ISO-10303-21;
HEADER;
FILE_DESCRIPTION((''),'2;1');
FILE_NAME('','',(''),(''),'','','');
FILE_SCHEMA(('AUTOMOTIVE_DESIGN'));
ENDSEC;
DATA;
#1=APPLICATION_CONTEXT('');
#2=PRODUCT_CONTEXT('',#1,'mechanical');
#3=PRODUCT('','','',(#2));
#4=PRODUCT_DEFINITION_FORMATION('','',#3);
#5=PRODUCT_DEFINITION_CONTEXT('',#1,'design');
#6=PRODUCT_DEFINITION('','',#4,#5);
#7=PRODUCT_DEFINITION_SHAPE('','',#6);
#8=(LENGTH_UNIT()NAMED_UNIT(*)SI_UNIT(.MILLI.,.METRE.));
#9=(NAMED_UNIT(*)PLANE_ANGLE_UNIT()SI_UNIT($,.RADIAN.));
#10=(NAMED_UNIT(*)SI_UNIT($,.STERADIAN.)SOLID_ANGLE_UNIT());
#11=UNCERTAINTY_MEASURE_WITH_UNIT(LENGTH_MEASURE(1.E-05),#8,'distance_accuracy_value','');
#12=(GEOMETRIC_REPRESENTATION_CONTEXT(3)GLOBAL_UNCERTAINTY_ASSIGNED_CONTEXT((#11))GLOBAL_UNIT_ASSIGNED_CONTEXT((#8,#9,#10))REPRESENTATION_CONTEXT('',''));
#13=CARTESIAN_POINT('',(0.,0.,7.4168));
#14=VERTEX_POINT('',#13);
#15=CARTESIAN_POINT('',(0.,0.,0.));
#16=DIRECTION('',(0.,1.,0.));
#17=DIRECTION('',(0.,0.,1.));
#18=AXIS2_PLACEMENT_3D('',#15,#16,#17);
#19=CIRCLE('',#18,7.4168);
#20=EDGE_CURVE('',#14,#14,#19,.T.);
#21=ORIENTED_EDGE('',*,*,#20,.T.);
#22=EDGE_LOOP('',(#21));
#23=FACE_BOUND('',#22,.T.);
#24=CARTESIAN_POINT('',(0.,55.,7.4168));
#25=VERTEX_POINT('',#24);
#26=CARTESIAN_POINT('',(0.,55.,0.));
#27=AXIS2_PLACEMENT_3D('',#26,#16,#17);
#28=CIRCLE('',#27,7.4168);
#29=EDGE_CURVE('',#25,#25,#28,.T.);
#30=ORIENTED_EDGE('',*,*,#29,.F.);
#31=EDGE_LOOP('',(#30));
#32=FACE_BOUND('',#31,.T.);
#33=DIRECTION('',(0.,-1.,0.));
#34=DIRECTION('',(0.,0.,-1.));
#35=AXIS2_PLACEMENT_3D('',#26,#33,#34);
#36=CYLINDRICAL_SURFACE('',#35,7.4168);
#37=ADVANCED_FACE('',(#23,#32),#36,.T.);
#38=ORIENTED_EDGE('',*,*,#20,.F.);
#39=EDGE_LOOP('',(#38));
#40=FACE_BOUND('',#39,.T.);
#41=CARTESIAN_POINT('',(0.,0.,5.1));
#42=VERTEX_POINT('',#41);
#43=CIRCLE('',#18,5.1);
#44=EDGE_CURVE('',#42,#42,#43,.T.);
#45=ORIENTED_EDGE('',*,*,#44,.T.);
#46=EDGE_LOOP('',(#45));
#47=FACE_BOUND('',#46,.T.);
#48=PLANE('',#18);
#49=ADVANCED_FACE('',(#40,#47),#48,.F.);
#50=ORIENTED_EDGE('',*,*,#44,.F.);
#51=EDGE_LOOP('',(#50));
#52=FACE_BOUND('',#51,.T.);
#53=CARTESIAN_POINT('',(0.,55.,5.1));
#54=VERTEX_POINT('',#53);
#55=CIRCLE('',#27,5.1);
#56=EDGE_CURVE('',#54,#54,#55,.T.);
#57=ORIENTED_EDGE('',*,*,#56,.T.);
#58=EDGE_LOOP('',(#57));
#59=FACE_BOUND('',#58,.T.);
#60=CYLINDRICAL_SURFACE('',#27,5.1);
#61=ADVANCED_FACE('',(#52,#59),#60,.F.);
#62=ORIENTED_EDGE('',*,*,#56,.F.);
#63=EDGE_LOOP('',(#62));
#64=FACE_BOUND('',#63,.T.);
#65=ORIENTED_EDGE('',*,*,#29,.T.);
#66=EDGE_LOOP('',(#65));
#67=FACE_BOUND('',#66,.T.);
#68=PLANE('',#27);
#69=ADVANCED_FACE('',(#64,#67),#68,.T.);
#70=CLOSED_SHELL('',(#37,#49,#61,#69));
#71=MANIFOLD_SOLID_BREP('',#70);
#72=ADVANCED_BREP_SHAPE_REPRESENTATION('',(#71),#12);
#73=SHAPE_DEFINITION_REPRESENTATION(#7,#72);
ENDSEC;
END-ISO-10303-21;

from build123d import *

# Parameters (mm, degrees)
SKETCH1_R               = 7.4168
BOSS_EXTRUDE1_DEPTH     = 55
M12X1_75_TAPPED_HOLE1_D = 10.2


with BuildPart() as part:
    # Sketch1 → Boss-Extrude1 (new body)
    with BuildSketch(Plane(origin=(0, 0, 0), x_dir=(1, 0, 0), z_dir=(0, 1, 0))):
        Circle(SKETCH1_R)
    extrude(amount=BOSS_EXTRUDE1_DEPTH)

    # M12x1.75 Tapped Hole1 (through all)
    with Locations(Plane(origin=(0, 55, 0), x_dir=(1, 0, 0), z_dir=(0, 1, 0))):
        with Locations((0, 0)):
            Hole(M12X1_75_TAPPED_HOLE1_D / 2)


solid = part.part
